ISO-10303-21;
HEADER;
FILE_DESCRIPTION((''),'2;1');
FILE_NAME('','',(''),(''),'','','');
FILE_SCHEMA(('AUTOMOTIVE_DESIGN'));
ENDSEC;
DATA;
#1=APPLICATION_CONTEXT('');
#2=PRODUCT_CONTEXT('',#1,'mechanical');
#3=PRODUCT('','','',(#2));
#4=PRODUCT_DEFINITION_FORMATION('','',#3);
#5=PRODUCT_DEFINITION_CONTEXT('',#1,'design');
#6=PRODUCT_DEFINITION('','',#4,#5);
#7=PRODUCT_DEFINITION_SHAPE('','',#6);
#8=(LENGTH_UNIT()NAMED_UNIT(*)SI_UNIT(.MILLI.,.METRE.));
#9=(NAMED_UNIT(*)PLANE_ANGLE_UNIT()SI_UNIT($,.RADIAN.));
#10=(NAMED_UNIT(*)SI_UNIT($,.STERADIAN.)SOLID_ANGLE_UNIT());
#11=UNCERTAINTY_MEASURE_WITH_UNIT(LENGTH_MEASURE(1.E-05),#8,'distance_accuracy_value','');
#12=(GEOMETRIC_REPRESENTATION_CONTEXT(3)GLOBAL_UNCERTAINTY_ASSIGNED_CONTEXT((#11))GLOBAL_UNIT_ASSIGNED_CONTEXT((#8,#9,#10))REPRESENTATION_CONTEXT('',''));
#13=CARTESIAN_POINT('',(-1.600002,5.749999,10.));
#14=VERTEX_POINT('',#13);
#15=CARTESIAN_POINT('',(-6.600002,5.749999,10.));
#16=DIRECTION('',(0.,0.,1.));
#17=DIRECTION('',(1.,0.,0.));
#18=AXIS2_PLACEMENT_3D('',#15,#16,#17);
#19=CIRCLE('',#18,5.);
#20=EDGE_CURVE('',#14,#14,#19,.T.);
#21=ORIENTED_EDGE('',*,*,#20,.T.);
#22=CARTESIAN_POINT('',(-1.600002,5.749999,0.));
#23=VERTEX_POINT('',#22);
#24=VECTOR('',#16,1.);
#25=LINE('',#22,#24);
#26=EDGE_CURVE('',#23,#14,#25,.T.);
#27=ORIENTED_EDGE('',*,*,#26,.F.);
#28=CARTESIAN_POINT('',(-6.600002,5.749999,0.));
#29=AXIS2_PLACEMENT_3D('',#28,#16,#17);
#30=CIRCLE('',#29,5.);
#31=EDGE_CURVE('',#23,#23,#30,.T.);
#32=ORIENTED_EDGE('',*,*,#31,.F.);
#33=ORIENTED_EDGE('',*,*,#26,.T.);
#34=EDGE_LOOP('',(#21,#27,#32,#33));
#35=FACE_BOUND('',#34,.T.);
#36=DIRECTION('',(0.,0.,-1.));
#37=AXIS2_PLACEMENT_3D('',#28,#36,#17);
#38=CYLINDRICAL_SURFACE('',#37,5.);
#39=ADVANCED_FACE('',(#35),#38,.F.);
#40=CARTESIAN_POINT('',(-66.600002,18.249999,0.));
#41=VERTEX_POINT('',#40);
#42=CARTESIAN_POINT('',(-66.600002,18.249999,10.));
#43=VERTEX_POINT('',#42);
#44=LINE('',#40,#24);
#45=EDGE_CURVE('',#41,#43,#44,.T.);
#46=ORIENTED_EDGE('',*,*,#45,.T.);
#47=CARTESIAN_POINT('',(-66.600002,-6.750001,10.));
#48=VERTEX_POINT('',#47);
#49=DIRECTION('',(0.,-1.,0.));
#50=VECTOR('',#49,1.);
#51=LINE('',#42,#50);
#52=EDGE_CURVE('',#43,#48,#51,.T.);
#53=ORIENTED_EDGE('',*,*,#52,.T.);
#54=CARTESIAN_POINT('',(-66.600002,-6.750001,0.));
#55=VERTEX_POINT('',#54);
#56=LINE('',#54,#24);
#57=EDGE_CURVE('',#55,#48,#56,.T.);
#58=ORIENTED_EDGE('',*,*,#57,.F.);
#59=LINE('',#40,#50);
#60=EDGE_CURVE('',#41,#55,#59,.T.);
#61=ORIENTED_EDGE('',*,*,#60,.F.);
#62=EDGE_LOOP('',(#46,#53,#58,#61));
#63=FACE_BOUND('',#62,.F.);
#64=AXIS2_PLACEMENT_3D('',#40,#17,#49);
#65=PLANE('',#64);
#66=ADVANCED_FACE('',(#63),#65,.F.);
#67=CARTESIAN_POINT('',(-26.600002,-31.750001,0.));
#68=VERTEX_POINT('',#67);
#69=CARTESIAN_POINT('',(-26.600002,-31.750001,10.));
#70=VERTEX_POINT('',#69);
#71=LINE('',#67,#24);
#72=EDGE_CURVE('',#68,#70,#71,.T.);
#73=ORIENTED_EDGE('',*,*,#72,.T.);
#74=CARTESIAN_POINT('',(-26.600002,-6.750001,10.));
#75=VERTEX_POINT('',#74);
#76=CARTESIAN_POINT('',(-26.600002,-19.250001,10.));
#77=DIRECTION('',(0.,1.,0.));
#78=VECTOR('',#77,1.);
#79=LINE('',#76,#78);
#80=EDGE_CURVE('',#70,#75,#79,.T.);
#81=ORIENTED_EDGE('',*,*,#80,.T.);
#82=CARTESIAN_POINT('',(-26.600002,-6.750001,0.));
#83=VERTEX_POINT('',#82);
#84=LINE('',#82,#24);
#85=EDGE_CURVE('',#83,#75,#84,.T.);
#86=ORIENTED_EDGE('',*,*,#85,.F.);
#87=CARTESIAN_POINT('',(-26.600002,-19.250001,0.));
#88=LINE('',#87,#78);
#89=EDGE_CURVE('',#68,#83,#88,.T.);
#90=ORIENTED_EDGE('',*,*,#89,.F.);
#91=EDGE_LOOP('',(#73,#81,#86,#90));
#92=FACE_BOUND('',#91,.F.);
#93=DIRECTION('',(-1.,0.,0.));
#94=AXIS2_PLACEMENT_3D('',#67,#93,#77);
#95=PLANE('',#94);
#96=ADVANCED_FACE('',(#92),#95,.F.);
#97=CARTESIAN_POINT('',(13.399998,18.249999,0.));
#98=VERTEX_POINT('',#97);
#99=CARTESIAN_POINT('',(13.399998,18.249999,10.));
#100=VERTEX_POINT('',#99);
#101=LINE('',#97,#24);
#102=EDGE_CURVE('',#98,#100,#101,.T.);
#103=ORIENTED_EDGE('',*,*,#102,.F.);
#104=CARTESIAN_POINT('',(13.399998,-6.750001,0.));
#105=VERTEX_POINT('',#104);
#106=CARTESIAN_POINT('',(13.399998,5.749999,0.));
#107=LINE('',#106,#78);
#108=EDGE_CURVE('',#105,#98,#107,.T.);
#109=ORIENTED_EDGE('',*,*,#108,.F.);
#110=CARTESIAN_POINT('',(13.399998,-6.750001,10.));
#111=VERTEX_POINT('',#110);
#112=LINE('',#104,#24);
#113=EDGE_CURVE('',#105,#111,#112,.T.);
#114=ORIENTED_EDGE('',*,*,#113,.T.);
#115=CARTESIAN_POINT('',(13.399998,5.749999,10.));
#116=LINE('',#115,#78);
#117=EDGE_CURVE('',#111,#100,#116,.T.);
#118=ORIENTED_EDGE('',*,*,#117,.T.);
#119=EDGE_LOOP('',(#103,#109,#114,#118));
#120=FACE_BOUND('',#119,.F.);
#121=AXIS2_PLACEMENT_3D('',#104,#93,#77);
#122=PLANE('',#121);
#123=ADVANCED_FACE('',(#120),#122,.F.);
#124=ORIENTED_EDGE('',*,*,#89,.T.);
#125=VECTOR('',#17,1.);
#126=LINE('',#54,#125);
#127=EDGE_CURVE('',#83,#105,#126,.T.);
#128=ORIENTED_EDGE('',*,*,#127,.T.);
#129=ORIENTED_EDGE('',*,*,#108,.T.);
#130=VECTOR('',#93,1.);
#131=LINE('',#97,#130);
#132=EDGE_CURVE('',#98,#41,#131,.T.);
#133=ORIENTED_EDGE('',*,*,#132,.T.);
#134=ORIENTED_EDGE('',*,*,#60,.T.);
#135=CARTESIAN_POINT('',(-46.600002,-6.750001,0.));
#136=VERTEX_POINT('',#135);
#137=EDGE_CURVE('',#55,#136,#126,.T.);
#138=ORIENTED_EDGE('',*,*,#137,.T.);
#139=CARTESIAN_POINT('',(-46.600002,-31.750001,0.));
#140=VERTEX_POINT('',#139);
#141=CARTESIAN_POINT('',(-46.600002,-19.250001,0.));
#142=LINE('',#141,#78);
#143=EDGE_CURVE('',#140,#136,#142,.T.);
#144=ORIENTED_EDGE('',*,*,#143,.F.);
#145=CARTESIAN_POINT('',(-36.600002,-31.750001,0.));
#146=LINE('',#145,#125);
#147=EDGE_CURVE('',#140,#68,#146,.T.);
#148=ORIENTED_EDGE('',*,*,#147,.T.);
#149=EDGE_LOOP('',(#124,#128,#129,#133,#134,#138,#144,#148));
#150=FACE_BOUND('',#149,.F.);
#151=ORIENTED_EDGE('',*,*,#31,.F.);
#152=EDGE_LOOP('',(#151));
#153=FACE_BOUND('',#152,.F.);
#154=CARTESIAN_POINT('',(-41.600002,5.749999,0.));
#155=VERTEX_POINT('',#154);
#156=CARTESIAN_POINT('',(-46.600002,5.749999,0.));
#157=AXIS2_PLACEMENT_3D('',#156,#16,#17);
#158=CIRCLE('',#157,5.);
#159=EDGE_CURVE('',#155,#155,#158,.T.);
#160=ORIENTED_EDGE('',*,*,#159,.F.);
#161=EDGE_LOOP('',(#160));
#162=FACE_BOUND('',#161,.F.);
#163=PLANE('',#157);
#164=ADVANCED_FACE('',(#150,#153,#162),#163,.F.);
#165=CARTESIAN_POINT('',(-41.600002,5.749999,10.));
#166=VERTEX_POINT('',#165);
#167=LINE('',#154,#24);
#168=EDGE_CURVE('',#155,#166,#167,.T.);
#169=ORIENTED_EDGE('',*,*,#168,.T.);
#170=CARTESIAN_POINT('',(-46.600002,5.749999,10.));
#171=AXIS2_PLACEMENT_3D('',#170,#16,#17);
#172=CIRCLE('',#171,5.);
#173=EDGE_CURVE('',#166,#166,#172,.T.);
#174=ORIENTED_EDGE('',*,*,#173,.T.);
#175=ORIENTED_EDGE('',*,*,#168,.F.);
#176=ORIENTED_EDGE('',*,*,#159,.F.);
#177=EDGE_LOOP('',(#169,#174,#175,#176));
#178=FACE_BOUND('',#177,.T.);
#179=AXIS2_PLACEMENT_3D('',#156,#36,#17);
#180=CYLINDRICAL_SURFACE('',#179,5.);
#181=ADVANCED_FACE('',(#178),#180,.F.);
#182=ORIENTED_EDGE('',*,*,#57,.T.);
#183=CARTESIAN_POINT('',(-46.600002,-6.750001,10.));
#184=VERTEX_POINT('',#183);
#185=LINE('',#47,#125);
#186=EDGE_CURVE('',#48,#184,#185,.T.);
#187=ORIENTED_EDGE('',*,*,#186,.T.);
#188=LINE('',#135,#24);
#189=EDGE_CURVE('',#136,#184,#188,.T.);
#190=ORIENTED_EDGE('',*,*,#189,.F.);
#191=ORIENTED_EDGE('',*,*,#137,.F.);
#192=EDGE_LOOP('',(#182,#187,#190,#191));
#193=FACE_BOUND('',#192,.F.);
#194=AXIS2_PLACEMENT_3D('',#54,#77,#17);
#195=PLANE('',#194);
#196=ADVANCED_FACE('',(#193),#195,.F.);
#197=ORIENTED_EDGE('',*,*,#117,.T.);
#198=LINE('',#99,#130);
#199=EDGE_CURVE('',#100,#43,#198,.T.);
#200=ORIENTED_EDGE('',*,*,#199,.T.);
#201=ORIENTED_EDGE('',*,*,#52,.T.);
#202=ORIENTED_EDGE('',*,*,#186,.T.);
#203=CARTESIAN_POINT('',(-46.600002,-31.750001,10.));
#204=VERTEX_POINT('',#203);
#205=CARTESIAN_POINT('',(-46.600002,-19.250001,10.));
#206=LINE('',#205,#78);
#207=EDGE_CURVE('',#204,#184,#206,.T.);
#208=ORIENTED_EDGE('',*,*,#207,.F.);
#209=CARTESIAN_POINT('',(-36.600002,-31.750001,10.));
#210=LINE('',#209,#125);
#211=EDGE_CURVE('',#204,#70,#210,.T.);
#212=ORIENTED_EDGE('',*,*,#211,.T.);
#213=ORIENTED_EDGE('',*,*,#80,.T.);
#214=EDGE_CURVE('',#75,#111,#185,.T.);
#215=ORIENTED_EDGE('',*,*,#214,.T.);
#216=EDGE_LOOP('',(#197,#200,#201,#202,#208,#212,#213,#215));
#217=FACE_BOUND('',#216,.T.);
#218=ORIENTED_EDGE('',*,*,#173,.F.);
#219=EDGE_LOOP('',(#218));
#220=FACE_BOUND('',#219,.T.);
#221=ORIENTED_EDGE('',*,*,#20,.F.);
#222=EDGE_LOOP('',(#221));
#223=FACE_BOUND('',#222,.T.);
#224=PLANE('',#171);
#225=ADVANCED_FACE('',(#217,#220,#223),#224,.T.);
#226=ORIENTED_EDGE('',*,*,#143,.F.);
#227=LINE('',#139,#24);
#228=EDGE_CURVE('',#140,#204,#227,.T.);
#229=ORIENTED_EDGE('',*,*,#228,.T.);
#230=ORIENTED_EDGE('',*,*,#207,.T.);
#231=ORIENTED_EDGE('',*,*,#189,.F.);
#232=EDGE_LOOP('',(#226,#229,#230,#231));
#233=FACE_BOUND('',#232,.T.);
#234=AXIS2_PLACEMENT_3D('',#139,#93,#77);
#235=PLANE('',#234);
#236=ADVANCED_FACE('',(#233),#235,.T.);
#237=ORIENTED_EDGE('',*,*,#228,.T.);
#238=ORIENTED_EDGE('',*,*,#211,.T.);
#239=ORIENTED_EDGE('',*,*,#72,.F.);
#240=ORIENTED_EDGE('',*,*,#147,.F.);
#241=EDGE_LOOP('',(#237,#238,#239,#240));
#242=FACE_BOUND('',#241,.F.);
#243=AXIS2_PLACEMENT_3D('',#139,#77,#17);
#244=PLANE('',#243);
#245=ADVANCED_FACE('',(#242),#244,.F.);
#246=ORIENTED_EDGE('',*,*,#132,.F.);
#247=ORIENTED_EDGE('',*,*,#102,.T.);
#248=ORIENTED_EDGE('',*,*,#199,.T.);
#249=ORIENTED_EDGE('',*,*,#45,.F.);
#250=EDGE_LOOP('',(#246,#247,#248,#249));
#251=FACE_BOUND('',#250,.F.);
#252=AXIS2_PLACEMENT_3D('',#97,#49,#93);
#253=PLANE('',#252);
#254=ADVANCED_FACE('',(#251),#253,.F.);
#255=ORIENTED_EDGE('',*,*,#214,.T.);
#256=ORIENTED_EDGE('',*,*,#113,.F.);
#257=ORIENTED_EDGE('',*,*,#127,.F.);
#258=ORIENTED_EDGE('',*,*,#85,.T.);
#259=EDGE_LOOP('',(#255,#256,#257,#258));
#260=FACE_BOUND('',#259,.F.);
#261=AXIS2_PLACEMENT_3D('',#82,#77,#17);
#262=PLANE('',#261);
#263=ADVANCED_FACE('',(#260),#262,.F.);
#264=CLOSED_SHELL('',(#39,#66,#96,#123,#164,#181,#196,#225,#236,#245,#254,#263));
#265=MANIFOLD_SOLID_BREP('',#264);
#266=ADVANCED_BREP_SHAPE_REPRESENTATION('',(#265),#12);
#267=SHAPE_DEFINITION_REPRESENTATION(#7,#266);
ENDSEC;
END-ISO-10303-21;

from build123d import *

# Parameters (mm, degrees)
F0_R     = 5
F0_W     = 40
F0_H     = 25
F0_W_2   = 20
F1_DEPTH = 10


with BuildPart() as f1:
    # F0 (on Top) → F1 (new body)
    with BuildSketch(Plane.XY):
        Polygon((-26.600002, 18.249999), (-66.600002, 18.249999), (-66.600002, -6.750001), (-46.600002, -6.750001), (-26.600002, -6.750001), align=None)
        with Locations((-46.600002, 5.749999)):
            Circle(F0_R, mode=Mode.SUBTRACT)
        with Locations((-6.600002, 5.749999)):
            Rectangle(F0_W, F0_H)
        with Locations((-6.600002, 5.749999)):
            Circle(F0_R, mode=Mode.SUBTRACT)
        with Locations((-36.600002, -19.250001)):
            Rectangle(F0_W_2, F0_H)
    extrude(amount=F1_DEPTH)


solid = f1.part
